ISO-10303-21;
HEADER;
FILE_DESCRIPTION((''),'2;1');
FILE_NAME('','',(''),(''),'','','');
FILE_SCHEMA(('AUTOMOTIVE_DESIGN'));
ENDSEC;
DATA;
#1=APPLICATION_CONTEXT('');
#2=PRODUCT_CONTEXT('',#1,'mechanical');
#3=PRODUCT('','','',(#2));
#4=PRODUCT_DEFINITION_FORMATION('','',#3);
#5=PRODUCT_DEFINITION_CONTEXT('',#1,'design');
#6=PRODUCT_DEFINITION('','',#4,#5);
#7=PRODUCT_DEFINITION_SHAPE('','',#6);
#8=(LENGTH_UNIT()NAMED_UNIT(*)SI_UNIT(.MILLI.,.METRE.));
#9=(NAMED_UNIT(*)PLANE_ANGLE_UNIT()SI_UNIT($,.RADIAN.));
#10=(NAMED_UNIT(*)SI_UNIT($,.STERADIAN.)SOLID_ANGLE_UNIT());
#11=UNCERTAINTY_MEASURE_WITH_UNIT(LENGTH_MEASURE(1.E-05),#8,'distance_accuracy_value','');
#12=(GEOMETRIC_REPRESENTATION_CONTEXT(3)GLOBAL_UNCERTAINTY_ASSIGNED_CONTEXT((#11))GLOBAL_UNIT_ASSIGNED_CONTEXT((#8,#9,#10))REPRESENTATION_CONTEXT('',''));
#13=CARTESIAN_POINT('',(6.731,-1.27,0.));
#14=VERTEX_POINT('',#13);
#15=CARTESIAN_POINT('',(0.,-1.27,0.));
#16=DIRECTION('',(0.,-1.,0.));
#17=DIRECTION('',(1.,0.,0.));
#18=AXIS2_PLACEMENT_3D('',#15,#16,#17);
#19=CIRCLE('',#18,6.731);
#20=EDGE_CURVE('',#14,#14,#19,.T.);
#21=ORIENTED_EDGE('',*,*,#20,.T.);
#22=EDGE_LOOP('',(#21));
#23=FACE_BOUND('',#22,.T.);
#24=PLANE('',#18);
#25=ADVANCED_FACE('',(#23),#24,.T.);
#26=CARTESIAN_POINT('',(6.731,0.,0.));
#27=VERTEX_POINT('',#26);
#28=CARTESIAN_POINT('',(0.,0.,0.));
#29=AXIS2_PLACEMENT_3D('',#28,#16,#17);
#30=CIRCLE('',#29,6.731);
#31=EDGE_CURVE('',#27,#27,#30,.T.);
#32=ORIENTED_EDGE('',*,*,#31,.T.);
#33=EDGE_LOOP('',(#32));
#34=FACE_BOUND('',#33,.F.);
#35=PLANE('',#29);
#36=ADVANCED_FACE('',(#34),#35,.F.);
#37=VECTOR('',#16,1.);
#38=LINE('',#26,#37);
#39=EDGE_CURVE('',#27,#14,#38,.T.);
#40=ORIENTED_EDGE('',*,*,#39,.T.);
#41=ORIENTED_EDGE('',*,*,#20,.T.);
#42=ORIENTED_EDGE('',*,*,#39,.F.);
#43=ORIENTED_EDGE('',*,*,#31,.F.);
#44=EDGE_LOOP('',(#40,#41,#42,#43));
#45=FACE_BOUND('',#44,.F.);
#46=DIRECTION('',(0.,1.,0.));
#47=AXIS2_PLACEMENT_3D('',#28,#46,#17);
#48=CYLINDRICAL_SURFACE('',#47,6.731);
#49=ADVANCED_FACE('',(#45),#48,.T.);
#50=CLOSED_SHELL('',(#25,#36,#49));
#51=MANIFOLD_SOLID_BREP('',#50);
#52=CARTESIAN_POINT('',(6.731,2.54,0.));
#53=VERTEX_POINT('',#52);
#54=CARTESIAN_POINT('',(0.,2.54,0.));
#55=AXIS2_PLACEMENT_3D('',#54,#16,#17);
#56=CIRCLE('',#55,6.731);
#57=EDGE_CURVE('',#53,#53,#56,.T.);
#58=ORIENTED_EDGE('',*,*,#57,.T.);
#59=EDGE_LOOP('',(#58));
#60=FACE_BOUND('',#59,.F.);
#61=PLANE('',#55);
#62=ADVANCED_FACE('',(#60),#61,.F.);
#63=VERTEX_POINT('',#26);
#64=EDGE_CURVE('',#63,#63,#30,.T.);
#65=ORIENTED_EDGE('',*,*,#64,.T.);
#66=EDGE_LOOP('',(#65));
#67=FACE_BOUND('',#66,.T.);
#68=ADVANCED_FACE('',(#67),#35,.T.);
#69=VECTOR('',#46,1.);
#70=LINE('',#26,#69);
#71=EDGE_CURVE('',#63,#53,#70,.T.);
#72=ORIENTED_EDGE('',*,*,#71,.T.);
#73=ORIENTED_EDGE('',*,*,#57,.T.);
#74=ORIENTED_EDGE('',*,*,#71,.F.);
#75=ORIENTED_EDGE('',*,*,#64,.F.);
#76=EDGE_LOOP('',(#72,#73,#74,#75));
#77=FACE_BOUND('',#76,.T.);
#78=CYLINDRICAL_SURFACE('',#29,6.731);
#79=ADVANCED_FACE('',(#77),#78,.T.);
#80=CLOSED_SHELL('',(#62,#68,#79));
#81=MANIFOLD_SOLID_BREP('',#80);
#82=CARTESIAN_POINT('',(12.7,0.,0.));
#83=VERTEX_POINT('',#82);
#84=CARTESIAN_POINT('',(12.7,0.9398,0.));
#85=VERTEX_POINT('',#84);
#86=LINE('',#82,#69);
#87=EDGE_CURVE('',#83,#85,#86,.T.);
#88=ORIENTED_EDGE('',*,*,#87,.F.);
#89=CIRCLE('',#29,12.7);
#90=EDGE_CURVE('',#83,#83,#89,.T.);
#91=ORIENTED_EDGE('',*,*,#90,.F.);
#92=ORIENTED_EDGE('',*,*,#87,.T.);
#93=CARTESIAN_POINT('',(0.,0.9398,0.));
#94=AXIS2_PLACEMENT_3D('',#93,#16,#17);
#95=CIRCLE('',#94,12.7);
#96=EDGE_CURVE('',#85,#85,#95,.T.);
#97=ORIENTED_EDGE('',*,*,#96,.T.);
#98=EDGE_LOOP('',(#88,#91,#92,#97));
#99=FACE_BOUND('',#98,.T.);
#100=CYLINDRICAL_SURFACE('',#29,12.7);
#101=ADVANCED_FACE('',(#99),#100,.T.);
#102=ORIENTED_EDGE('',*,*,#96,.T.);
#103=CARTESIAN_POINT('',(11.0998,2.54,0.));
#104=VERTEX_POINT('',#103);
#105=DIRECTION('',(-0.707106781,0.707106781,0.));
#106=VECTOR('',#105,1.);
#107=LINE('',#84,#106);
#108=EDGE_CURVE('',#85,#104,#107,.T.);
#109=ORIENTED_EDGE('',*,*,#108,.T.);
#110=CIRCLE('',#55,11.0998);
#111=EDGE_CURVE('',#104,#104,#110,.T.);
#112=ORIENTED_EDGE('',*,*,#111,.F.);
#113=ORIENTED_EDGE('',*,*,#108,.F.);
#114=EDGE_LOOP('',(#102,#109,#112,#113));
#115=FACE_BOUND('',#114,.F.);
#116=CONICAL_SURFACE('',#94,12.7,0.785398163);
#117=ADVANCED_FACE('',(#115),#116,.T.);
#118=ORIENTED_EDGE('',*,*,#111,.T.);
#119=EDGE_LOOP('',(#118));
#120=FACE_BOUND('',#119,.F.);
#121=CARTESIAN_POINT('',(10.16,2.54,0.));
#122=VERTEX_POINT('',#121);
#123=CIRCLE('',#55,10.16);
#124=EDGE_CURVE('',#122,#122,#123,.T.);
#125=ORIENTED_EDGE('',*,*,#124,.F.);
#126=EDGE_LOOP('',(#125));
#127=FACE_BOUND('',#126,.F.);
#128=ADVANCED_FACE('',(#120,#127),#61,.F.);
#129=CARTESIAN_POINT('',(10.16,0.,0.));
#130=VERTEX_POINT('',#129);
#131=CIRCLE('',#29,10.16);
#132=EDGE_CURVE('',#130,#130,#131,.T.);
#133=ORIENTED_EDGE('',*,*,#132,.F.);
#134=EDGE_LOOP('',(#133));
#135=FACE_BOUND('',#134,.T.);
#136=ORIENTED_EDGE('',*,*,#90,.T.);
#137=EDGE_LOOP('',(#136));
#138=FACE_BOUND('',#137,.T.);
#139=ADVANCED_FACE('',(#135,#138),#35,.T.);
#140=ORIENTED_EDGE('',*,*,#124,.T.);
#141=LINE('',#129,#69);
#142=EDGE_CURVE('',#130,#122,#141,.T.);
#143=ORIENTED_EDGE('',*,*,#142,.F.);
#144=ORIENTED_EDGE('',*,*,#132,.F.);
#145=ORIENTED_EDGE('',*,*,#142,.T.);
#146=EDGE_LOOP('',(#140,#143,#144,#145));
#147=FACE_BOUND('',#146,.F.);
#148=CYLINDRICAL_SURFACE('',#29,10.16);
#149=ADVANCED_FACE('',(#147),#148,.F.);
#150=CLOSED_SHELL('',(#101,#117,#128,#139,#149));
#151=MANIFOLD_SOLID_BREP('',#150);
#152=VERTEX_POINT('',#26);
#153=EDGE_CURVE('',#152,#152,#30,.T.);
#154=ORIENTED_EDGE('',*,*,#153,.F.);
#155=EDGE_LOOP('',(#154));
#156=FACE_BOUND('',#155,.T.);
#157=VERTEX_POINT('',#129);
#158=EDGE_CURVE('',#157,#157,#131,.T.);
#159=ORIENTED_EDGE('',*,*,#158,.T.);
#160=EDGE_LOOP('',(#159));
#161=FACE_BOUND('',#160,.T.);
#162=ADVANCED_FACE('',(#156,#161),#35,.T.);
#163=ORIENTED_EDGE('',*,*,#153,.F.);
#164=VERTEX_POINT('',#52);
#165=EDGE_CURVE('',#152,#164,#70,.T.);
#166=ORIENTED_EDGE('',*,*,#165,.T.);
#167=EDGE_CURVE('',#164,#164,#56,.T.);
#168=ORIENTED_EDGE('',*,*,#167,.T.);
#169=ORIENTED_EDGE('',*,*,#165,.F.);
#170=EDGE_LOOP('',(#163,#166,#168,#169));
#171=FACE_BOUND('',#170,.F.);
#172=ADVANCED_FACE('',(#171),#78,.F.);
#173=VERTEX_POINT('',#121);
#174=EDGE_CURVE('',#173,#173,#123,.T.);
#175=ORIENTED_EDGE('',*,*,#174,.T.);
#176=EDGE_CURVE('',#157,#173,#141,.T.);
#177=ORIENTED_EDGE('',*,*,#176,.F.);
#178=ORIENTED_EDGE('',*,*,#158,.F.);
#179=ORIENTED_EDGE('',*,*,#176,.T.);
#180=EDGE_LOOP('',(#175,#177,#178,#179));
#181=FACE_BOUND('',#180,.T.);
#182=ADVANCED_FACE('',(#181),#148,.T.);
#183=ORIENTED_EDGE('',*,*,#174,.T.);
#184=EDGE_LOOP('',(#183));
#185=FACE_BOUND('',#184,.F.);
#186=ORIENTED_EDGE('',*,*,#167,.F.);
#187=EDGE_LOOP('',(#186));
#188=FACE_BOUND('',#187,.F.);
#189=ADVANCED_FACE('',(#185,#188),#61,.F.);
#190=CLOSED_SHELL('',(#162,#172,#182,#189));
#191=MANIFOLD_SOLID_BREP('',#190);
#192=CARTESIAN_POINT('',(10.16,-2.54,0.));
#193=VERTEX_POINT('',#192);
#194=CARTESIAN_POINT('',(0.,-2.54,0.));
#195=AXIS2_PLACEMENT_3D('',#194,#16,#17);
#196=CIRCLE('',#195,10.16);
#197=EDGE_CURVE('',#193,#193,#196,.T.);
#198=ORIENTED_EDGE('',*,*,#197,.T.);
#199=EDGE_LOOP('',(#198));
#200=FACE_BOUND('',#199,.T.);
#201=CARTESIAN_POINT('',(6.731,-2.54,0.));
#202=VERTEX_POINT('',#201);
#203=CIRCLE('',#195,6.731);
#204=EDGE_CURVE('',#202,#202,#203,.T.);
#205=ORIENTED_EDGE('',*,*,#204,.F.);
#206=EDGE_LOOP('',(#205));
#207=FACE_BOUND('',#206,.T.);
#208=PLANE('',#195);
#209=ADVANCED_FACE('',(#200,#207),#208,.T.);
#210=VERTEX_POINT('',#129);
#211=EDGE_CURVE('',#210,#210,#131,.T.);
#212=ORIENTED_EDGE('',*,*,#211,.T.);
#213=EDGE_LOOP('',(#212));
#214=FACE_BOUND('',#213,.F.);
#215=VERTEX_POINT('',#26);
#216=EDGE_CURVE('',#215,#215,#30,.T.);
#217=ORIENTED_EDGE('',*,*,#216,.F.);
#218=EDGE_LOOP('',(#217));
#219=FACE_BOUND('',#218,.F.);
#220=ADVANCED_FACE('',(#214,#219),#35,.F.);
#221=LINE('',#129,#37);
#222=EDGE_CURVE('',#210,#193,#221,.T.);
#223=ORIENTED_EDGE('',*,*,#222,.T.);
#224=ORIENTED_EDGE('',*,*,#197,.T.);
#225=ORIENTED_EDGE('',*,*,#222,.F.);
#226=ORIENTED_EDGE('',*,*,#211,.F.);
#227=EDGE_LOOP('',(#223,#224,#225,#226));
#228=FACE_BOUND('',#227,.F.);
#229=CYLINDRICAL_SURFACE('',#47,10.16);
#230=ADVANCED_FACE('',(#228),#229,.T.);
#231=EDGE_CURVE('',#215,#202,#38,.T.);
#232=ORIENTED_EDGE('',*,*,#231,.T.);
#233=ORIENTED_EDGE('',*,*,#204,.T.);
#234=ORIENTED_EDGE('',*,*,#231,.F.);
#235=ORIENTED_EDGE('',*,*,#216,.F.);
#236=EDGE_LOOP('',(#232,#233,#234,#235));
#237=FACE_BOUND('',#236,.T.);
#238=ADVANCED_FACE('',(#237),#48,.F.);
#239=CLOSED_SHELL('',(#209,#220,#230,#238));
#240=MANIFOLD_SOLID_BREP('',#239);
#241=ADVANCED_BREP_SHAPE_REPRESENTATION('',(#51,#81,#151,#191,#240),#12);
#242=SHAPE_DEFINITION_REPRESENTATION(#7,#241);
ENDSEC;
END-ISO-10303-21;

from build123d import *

# Parameters (mm, degrees)
F0_R     = 10.16
F0_R_2   = 6.731
F1_DEPTH = 2.54
F2_DEPTH = 1.27
F0_R_3   = 12.7
F3_DEPTH = 2.54
F4_DEPTH = 2.54
F5_DEPTH = 2.54
F6_SIZE  = 1.6002


with BuildPart() as f1:
    # F0 (on Front) → F1 (new body)
    with BuildSketch(Plane.XZ):
        Circle(F0_R)
        Circle(F0_R_2, mode=Mode.SUBTRACT)
    extrude(amount=F1_DEPTH)


with BuildPart() as f2:
    # F0 (on Front) → F2 (new body)
    with BuildSketch(Plane.XZ):
        Circle(F0_R_2)
    extrude(amount=F2_DEPTH)


with BuildPart() as f3:
    # F0 (on Front) → F3 (new body)
    with BuildSketch(Plane.XZ):
        Circle(F0_R_3)
        Circle(F0_R, mode=Mode.SUBTRACT)
    extrude(amount=-F3_DEPTH)

    # F6
    f6_edges = [f3.edges().sort_by_distance(p)[0] for p in [
        (-12.7, 2.54, 0),
    ]]
    chamfer(f6_edges, length=F6_SIZE)


with BuildPart() as f4:
    # F0 (on Front) → F4 (new body)
    with BuildSketch(Plane.XZ):
        Circle(F0_R)
        Circle(F0_R_2, mode=Mode.SUBTRACT)
    extrude(amount=-F4_DEPTH)


with BuildPart() as f5:
    # F0 (on Front) → F5 (new body)
    with BuildSketch(Plane.XZ):
        Circle(F0_R_2)
    extrude(amount=-F5_DEPTH)


solid = Compound([f1.part, f2.part, f3.part, f4.part, f5.part])
